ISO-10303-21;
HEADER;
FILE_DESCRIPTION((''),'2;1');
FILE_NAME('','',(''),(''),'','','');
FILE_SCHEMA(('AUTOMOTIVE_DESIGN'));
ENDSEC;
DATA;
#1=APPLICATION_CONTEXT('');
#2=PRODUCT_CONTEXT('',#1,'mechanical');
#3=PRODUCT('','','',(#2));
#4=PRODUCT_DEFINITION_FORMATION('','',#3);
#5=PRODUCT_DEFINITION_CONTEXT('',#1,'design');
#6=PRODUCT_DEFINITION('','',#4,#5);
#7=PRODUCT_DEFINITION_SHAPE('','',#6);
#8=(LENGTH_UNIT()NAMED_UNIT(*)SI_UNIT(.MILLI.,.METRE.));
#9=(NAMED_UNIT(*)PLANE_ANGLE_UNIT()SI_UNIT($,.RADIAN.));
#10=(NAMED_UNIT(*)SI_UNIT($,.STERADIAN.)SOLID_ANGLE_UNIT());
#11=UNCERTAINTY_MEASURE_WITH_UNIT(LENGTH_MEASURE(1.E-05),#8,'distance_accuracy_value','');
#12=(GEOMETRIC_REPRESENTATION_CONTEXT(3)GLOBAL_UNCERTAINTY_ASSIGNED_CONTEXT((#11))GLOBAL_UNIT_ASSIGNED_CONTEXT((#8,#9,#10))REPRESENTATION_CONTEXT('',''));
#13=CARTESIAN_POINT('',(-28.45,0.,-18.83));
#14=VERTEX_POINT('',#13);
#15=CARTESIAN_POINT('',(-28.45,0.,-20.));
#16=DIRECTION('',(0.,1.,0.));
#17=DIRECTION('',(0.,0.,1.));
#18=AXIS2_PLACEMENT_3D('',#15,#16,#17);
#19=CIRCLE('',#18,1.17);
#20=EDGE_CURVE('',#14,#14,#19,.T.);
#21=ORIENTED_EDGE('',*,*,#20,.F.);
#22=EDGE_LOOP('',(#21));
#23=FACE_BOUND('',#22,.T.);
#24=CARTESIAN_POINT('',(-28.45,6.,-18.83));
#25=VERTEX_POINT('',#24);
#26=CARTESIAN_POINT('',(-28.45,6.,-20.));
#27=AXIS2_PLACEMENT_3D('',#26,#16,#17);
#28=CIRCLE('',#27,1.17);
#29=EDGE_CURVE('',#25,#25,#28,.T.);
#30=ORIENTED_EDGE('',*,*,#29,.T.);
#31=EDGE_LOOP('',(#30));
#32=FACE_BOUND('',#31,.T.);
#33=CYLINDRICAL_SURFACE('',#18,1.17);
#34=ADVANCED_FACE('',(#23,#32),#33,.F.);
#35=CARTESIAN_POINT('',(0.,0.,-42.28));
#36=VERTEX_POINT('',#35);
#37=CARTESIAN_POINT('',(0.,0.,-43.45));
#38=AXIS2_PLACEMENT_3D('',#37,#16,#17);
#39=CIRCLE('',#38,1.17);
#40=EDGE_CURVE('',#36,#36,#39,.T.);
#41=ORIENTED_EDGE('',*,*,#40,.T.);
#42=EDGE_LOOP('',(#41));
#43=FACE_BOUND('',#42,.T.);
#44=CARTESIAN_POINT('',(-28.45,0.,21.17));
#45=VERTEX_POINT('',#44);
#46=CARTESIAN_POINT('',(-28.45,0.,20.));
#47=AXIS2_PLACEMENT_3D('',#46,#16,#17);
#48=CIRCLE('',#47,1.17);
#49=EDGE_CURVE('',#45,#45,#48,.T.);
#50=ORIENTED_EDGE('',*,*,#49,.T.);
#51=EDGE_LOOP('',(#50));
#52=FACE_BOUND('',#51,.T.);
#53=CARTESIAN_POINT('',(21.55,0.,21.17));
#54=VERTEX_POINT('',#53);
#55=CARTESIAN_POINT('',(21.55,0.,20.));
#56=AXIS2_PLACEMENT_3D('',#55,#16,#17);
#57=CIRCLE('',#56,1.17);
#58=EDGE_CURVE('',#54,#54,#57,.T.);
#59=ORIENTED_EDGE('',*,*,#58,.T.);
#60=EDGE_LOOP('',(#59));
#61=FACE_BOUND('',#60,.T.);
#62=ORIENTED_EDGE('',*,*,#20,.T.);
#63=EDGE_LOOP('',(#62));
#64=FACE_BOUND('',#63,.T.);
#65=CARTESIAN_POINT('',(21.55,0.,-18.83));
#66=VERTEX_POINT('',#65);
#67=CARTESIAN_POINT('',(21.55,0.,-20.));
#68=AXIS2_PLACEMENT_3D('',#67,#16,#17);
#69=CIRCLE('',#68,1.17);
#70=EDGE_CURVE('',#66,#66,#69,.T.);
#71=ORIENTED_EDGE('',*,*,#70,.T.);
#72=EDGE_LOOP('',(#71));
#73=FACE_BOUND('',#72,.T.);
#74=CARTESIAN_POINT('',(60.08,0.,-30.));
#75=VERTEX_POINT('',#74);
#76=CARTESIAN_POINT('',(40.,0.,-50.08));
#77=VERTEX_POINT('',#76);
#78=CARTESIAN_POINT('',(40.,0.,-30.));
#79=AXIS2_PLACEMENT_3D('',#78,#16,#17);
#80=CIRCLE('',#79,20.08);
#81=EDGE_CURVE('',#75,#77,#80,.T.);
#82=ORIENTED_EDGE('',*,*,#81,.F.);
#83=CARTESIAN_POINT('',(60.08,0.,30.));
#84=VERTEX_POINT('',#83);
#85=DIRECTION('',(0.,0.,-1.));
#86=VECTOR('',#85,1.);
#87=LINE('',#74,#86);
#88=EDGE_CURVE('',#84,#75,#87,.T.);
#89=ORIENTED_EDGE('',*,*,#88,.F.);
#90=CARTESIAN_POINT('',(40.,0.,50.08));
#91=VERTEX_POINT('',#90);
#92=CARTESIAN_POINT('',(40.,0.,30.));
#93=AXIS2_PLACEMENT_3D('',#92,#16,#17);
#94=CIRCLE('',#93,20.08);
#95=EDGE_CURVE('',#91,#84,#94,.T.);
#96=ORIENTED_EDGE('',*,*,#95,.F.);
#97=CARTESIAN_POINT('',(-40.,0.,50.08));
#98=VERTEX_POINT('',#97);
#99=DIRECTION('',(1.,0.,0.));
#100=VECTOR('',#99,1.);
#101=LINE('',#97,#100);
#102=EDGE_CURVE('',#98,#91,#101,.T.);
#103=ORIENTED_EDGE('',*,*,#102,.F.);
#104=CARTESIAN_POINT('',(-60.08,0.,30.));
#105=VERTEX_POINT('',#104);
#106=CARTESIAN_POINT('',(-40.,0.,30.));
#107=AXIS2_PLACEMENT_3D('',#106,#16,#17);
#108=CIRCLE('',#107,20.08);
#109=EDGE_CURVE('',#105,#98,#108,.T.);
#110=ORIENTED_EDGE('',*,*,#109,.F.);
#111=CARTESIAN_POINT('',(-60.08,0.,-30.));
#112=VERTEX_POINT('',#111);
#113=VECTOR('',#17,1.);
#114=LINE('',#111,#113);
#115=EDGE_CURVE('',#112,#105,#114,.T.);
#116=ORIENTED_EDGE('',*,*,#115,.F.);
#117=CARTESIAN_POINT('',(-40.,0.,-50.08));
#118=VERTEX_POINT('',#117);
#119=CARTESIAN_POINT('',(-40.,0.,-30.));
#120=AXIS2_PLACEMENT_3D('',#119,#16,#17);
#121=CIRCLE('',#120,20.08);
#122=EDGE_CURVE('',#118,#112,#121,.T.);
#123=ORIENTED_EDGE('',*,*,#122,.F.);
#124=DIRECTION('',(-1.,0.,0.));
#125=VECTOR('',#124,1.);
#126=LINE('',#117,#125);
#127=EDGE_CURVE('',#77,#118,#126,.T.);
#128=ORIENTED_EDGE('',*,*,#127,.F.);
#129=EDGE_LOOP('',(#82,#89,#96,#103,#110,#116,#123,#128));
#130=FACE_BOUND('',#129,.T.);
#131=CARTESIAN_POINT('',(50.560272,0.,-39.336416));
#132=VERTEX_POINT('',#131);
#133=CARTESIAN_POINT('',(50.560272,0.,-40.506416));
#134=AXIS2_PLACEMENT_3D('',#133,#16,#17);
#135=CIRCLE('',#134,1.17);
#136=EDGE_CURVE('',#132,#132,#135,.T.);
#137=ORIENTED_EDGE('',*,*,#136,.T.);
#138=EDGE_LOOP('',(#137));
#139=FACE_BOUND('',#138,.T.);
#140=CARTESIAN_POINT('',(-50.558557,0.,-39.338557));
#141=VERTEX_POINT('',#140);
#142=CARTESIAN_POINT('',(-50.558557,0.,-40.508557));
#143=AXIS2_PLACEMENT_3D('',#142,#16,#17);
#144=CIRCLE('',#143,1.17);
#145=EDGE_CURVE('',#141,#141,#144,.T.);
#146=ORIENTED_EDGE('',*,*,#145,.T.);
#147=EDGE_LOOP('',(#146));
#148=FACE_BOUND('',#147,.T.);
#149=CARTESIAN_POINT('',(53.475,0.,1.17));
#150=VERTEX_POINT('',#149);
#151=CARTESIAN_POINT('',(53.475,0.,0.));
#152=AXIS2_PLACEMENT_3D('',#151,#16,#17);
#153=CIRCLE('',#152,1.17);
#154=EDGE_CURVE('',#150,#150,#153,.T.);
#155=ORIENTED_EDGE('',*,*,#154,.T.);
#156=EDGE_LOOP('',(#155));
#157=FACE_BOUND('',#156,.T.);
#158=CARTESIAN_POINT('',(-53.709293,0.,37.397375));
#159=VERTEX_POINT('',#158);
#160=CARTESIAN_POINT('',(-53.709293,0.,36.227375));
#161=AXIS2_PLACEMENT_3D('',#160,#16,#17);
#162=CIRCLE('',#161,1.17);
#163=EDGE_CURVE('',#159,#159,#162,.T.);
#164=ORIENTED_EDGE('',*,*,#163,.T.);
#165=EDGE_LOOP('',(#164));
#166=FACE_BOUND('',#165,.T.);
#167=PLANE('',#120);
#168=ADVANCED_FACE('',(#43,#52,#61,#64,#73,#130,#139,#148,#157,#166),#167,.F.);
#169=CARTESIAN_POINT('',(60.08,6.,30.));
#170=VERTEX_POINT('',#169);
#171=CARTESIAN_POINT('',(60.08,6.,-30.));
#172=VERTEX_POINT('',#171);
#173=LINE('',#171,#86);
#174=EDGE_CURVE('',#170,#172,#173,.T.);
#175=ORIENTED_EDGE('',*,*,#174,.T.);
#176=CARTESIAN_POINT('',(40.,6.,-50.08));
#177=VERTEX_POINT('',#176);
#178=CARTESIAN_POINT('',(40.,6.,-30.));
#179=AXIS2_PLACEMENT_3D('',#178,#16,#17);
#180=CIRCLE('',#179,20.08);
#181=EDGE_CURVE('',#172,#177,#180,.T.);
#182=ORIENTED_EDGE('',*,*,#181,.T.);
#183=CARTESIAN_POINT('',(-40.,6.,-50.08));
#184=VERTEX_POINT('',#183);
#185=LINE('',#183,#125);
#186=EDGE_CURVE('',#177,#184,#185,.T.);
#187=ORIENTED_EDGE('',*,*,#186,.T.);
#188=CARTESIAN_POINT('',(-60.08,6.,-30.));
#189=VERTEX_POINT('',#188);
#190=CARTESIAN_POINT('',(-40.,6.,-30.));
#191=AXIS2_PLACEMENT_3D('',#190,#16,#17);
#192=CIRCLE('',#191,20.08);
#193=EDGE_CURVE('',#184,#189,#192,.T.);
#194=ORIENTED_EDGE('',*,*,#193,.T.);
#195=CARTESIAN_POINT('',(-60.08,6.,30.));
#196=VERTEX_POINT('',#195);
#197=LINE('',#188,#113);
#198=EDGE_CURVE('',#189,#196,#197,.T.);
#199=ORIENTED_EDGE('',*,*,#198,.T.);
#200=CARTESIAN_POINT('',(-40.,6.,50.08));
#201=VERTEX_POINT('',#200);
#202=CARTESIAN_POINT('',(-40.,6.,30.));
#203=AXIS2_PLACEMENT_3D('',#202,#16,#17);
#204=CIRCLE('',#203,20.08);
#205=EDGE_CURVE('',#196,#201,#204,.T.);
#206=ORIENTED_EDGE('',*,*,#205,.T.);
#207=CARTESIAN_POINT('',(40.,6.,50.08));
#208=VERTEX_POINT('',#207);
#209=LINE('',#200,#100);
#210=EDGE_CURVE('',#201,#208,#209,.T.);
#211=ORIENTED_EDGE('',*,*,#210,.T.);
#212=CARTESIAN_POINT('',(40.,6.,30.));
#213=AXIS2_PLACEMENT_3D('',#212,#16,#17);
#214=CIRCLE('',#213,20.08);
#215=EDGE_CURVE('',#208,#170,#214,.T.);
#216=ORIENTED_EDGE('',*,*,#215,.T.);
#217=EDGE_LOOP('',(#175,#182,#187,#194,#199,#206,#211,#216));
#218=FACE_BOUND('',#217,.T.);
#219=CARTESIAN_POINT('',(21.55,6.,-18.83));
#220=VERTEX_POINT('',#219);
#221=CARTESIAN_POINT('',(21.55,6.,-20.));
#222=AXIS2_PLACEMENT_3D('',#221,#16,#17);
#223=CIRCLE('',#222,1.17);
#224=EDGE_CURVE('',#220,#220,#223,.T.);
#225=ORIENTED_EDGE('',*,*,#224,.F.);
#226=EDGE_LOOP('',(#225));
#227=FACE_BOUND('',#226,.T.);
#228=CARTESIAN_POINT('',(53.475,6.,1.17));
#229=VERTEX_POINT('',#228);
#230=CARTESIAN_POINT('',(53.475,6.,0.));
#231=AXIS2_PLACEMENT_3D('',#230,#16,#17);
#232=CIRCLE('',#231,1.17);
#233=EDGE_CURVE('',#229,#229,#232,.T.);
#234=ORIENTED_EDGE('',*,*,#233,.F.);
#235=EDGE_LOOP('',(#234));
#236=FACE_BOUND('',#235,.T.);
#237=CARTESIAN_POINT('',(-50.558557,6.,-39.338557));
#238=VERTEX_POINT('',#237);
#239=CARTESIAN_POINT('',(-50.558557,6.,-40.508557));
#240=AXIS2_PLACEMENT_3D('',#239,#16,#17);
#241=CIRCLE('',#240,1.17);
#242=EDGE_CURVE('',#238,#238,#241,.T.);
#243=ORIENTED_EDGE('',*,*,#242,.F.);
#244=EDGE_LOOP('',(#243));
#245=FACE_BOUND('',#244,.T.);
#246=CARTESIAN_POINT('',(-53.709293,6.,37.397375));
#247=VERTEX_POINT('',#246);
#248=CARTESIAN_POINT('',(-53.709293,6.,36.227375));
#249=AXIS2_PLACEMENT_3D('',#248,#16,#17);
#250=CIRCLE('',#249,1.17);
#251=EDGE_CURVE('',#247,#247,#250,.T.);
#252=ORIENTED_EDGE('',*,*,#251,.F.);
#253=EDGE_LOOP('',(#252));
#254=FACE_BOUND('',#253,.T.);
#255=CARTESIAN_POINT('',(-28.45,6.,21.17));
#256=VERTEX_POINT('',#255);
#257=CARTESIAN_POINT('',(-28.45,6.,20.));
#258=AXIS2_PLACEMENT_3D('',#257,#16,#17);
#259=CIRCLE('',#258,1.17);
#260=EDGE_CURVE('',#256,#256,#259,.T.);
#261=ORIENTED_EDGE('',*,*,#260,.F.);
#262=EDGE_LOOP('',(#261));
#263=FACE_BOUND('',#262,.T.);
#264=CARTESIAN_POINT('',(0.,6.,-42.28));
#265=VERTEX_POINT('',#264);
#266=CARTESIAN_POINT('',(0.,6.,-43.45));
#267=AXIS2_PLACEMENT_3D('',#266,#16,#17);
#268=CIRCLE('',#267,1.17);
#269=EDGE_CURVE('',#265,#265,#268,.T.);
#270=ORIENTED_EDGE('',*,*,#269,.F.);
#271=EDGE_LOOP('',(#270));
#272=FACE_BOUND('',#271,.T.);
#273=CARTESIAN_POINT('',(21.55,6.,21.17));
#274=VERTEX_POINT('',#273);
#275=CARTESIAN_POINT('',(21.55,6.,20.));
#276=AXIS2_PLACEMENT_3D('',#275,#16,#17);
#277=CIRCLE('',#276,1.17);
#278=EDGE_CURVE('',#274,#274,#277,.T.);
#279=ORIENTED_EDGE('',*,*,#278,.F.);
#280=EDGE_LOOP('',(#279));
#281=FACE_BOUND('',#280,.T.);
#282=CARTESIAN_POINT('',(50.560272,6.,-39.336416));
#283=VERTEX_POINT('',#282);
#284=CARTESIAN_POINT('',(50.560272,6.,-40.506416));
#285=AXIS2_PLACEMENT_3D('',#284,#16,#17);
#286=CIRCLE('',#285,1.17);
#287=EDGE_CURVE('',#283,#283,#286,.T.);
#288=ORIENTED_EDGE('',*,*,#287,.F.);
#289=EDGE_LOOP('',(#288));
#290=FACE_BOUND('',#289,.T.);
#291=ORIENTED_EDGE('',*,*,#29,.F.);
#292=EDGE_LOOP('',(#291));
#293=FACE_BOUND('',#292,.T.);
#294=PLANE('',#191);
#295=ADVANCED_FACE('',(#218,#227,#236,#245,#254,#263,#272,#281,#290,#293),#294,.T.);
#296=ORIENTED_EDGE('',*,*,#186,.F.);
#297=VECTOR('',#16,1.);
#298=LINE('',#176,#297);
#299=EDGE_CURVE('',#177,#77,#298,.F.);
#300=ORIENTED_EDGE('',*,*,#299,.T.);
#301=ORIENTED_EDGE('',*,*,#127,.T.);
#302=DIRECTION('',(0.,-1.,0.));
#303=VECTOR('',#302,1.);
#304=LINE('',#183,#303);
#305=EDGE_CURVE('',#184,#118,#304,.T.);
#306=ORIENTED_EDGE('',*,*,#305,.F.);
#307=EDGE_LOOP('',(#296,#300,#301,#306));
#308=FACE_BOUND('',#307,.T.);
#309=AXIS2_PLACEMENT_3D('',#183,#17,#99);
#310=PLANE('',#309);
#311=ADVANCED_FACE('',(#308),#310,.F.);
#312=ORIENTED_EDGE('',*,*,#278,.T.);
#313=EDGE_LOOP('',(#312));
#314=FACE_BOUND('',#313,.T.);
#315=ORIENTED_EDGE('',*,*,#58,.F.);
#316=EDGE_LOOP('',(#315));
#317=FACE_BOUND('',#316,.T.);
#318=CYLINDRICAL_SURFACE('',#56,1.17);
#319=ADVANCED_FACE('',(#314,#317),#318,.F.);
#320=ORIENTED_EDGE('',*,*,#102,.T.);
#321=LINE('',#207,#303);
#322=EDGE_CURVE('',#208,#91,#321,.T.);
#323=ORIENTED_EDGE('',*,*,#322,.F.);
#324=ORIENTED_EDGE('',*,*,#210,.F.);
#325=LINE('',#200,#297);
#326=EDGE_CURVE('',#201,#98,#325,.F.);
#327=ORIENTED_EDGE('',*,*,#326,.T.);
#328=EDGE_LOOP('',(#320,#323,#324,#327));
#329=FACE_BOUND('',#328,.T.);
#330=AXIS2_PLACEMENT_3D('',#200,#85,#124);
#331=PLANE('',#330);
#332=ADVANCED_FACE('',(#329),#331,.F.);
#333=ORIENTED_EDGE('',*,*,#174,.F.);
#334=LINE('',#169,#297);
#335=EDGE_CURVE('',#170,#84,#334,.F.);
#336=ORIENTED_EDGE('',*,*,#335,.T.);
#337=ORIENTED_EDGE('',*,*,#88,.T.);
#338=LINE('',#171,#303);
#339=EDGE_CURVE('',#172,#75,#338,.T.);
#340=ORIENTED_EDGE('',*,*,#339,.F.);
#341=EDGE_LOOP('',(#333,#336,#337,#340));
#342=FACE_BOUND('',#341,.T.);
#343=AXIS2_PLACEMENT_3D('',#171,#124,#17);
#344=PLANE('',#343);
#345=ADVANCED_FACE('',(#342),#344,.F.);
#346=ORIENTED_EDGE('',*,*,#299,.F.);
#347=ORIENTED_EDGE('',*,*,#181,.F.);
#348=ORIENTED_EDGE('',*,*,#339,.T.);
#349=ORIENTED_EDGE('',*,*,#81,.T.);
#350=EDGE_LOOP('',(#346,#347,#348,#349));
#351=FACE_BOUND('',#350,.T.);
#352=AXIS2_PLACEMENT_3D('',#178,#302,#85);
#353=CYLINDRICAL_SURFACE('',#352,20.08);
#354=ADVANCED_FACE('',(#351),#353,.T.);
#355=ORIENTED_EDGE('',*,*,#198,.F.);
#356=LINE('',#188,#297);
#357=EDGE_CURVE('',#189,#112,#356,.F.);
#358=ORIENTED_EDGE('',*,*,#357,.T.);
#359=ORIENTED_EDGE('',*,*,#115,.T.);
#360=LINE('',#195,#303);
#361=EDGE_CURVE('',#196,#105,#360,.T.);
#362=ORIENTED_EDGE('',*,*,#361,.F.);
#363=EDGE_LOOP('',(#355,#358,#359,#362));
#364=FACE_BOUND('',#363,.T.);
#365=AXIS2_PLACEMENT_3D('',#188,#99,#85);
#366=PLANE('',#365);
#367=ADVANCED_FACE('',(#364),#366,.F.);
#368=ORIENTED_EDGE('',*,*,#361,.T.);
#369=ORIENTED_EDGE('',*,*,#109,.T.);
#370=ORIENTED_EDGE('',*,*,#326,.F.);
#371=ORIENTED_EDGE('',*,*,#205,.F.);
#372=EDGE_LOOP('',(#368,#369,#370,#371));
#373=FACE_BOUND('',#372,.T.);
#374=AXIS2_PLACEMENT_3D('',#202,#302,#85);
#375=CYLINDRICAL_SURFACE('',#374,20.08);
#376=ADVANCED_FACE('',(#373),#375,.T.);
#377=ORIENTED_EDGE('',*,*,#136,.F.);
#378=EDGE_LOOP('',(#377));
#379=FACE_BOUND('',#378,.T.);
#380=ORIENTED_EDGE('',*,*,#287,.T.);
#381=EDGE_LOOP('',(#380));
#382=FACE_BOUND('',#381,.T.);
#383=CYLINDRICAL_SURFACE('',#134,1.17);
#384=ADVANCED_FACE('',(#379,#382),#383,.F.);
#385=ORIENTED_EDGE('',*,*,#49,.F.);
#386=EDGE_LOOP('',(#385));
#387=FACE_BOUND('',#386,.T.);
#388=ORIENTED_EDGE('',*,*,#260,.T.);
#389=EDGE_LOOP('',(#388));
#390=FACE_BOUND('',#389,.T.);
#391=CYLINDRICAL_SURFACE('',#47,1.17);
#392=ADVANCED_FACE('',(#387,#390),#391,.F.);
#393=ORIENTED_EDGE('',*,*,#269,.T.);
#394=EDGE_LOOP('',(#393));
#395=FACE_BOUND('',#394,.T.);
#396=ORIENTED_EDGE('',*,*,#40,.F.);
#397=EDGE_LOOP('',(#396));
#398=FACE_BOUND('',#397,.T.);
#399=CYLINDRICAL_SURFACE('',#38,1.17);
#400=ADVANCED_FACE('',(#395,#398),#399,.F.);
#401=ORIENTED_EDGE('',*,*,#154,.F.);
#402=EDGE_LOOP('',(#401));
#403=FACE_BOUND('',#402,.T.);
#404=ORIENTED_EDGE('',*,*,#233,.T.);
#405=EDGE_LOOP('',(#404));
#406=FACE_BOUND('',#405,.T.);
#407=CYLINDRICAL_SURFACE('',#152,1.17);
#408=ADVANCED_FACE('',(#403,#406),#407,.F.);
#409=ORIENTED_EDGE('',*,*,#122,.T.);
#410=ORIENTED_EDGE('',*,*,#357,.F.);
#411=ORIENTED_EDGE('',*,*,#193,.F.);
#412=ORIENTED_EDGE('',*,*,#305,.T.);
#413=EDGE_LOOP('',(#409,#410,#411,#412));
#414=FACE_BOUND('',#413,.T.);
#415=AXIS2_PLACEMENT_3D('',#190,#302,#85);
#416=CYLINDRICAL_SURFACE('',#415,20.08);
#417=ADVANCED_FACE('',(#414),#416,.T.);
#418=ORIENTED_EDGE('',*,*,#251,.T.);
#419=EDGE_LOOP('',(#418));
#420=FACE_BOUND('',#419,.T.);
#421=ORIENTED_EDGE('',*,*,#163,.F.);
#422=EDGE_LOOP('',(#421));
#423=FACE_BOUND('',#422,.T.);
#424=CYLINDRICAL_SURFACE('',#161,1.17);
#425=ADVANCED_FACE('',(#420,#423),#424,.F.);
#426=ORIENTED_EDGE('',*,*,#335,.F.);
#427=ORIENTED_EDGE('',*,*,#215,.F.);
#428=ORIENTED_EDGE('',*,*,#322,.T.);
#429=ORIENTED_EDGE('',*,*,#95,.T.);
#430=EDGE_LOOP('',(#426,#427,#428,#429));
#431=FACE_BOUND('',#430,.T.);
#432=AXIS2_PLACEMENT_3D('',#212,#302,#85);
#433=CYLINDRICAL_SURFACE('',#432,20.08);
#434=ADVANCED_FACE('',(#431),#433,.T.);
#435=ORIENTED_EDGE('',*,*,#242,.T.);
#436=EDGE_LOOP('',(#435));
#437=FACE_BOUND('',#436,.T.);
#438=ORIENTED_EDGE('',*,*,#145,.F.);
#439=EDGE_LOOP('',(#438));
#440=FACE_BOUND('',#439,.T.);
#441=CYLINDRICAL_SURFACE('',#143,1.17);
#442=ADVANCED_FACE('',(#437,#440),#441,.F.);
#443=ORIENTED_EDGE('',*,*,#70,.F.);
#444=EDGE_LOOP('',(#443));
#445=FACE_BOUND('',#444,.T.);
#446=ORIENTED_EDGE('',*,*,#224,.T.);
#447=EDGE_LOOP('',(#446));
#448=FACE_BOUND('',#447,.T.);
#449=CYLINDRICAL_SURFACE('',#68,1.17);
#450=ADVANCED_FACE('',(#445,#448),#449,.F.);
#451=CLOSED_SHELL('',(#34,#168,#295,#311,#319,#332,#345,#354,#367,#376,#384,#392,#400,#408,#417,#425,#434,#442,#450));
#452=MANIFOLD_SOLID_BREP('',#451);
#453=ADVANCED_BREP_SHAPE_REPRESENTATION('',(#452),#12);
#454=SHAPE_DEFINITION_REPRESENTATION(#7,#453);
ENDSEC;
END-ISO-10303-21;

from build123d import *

# Parameters (mm, degrees)
BOSS_EXTRUDE1_DEPTH = 6
SKETCH2_R           = 1.25
CUT_EXTRUDE1_DEPTH  = 79.33262411
SKETCH3_R           = 1.25
CUT_EXTRUDE2_DEPTH  = 79.33262411
MOVE_FACE1_BY       = 0.08
MOVE_FACE1_2_BY     = 0.08
MOVE_FACE1_3_BY     = 0.08
MOVE_FACE1_4_BY     = 0.08
MOVE_FACE1_5_BY     = 0.08
MOVE_FACE1_6_BY     = 0.08
MOVE_FACE1_7_BY     = 0.08
MOVE_FACE1_8_BY     = 0.08
MOVE_FACE1_9_BY     = 0.08
MOVE_FACE1_10_BY    = 0.08
MOVE_FACE1_11_BY    = 0.08
MOVE_FACE1_12_BY    = 0.08
MOVE_FACE1_13_BY    = 0.08
MOVE_FACE1_14_BY    = 0.08
MOVE_FACE1_15_BY    = 0.08
MOVE_FACE1_16_BY    = 0.08
MOVE_FACE1_17_BY    = 0.08


with BuildPart() as part:
    # Sketch1 → Boss-Extrude1 (new body)
    with BuildSketch(Plane(origin=(0, 0, 0), x_dir=(1, 0, 0), z_dir=(0, 1, 0))):
        with BuildLine():
            Line((-60, 30), (-60, -30))
            ThreePointArc((-60, -30), (-54.142135624, -44.142135624), (-40, -50))
            Line((-40, -50), (40, -50))
            ThreePointArc((40, -50), (54.142135624, -44.142135624), (60, -30))
            Line((60, -30), (60, 30))
            ThreePointArc((60, 30), (54.142135624, 44.142135624), (40, 50))
            Line((40, 50), (-40, 50))
            ThreePointArc((-40, 50), (-54.142135624, 44.142135624), (-60, 30))
        make_face()
    extrude(amount=BOSS_EXTRUDE1_DEPTH)

    # Sketch2 → Cut-Extrude1 (cut, through all)
    with BuildSketch(Plane(origin=(0, 6, 0), x_dir=(1, 0, 0), z_dir=(0, 1, 0))):
        with Locations(Location((53.475, 0, 0), (0, 0, 270))):
            Circle(SKETCH2_R)
        with Locations(Location((-53.709292606, -36.227375296, 0), (0, 0, 270))):
            Circle(SKETCH2_R)
        with Locations(Location((0, 43.45, 0), (0, 0, 270))):
            Circle(SKETCH2_R)
        with Locations(Location((50.560271927, 40.506415982, 0), (0, 0, 270))):
            Circle(SKETCH2_R)
        with Locations(Location((-50.558556763, 40.508556763, 0), (0, 0, 90))):
            Circle(SKETCH2_R)
    extrude(amount=-CUT_EXTRUDE1_DEPTH, mode=Mode.SUBTRACT)

    # Sketch3 → Cut-Extrude2 (cut, through all)
    with BuildSketch(Plane(origin=(0, 6, 0), x_dir=(1, 0, 0), z_dir=(0, 1, 0))):
        with Locations(Location((-28.45, 20, 0), (0, 0, 270))):
            Circle(SKETCH3_R)
        with Locations(Location((21.55, 20, 0), (0, 0, 270))):
            Circle(SKETCH3_R)
        with Locations(Location((-28.45, -20, 0), (0, 0, 270))):
            Circle(SKETCH3_R)
        with Locations(Location((21.55, -20, 0), (0, 0, 270))):
            Circle(SKETCH3_R)
    extrude(amount=-CUT_EXTRUDE2_DEPTH, mode=Mode.SUBTRACT)

    # Move Face1: a curved face moved outward by 0.08
    add(Solid.thicken(part.faces().sort_by_distance((21.55, 3, 18.75))[0], MOVE_FACE1_BY))

    # Move Face1 2: a curved face moved outward by 0.08
    add(Solid.thicken(part.faces().sort_by_distance((54.142135624, 3, 44.142135624))[0], MOVE_FACE1_2_BY))

    # Move Face1 3: a face moved outward by 0.08
    extrude(part.faces().sort_by_distance((60, 3, 0))[0], amount=MOVE_FACE1_3_BY, dir=(1, 0, 0))

    # Move Face1 4: a curved face moved outward by 0.08
    add(Solid.thicken(part.faces().sort_by_distance((54.142135624, 3, -44.142135624))[0], MOVE_FACE1_4_BY))

    # Move Face1 5: a face moved outward by 0.08
    extrude(part.faces().sort_by_distance((0, 3, -50))[0], amount=MOVE_FACE1_5_BY, dir=(0, 0, -1))

    # Move Face1 6: a curved face moved outward by 0.08
    add(Solid.thicken(part.faces().sort_by_distance((-54.142135624, 3, -44.142135624))[0], MOVE_FACE1_6_BY))

    # Move Face1 7: a face moved outward by 0.08
    extrude(part.faces().sort_by_distance((-60, 3, 0))[0], amount=MOVE_FACE1_7_BY, dir=(-1, 0, 0))

    # Move Face1 8: a curved face moved outward by 0.08
    add(Solid.thicken(part.faces().sort_by_distance((-54.142135624, 3, 44.142135624))[0], MOVE_FACE1_8_BY))

    # Move Face1 9: a face moved outward by 0.08
    extrude(part.faces().sort_by_distance((0, 3, 50))[0], amount=MOVE_FACE1_9_BY, dir=(0, 0, 1))

    # Move Face1 10: a curved face moved outward by 0.08
    add(Solid.thicken(part.faces().sort_by_distance((53.475, 3, -1.25))[0], MOVE_FACE1_10_BY))

    # Move Face1 11: a curved face moved outward by 0.08
    add(Solid.thicken(part.faces().sort_by_distance((0, 3, -44.7))[0], MOVE_FACE1_11_BY))

    # Move Face1 12: a curved face moved outward by 0.08
    add(Solid.thicken(part.faces().sort_by_distance((50.560271927, 3, -41.756415982))[0], MOVE_FACE1_12_BY))

    # Move Face1 13: a curved face moved outward by 0.08
    add(Solid.thicken(part.faces().sort_by_distance((-50.558556763, 3, -39.258556763))[0], MOVE_FACE1_13_BY))

    # Move Face1 14: a curved face moved outward by 0.08
    add(Solid.thicken(part.faces().sort_by_distance((-53.709292606, 3, 34.977375296))[0], MOVE_FACE1_14_BY))

    # Move Face1 15: a curved face moved outward by 0.08
    add(Solid.thicken(part.faces().sort_by_distance((-28.45, 3, -21.25))[0], MOVE_FACE1_15_BY))

    # Move Face1 16: a curved face moved outward by 0.08
    add(Solid.thicken(part.faces().sort_by_distance((21.55, 3, -21.25))[0], MOVE_FACE1_16_BY))

    # Move Face1 17: a curved face moved outward by 0.08
    add(Solid.thicken(part.faces().sort_by_distance((-28.45, 3, 18.75))[0], MOVE_FACE1_17_BY))


solid = part.part
